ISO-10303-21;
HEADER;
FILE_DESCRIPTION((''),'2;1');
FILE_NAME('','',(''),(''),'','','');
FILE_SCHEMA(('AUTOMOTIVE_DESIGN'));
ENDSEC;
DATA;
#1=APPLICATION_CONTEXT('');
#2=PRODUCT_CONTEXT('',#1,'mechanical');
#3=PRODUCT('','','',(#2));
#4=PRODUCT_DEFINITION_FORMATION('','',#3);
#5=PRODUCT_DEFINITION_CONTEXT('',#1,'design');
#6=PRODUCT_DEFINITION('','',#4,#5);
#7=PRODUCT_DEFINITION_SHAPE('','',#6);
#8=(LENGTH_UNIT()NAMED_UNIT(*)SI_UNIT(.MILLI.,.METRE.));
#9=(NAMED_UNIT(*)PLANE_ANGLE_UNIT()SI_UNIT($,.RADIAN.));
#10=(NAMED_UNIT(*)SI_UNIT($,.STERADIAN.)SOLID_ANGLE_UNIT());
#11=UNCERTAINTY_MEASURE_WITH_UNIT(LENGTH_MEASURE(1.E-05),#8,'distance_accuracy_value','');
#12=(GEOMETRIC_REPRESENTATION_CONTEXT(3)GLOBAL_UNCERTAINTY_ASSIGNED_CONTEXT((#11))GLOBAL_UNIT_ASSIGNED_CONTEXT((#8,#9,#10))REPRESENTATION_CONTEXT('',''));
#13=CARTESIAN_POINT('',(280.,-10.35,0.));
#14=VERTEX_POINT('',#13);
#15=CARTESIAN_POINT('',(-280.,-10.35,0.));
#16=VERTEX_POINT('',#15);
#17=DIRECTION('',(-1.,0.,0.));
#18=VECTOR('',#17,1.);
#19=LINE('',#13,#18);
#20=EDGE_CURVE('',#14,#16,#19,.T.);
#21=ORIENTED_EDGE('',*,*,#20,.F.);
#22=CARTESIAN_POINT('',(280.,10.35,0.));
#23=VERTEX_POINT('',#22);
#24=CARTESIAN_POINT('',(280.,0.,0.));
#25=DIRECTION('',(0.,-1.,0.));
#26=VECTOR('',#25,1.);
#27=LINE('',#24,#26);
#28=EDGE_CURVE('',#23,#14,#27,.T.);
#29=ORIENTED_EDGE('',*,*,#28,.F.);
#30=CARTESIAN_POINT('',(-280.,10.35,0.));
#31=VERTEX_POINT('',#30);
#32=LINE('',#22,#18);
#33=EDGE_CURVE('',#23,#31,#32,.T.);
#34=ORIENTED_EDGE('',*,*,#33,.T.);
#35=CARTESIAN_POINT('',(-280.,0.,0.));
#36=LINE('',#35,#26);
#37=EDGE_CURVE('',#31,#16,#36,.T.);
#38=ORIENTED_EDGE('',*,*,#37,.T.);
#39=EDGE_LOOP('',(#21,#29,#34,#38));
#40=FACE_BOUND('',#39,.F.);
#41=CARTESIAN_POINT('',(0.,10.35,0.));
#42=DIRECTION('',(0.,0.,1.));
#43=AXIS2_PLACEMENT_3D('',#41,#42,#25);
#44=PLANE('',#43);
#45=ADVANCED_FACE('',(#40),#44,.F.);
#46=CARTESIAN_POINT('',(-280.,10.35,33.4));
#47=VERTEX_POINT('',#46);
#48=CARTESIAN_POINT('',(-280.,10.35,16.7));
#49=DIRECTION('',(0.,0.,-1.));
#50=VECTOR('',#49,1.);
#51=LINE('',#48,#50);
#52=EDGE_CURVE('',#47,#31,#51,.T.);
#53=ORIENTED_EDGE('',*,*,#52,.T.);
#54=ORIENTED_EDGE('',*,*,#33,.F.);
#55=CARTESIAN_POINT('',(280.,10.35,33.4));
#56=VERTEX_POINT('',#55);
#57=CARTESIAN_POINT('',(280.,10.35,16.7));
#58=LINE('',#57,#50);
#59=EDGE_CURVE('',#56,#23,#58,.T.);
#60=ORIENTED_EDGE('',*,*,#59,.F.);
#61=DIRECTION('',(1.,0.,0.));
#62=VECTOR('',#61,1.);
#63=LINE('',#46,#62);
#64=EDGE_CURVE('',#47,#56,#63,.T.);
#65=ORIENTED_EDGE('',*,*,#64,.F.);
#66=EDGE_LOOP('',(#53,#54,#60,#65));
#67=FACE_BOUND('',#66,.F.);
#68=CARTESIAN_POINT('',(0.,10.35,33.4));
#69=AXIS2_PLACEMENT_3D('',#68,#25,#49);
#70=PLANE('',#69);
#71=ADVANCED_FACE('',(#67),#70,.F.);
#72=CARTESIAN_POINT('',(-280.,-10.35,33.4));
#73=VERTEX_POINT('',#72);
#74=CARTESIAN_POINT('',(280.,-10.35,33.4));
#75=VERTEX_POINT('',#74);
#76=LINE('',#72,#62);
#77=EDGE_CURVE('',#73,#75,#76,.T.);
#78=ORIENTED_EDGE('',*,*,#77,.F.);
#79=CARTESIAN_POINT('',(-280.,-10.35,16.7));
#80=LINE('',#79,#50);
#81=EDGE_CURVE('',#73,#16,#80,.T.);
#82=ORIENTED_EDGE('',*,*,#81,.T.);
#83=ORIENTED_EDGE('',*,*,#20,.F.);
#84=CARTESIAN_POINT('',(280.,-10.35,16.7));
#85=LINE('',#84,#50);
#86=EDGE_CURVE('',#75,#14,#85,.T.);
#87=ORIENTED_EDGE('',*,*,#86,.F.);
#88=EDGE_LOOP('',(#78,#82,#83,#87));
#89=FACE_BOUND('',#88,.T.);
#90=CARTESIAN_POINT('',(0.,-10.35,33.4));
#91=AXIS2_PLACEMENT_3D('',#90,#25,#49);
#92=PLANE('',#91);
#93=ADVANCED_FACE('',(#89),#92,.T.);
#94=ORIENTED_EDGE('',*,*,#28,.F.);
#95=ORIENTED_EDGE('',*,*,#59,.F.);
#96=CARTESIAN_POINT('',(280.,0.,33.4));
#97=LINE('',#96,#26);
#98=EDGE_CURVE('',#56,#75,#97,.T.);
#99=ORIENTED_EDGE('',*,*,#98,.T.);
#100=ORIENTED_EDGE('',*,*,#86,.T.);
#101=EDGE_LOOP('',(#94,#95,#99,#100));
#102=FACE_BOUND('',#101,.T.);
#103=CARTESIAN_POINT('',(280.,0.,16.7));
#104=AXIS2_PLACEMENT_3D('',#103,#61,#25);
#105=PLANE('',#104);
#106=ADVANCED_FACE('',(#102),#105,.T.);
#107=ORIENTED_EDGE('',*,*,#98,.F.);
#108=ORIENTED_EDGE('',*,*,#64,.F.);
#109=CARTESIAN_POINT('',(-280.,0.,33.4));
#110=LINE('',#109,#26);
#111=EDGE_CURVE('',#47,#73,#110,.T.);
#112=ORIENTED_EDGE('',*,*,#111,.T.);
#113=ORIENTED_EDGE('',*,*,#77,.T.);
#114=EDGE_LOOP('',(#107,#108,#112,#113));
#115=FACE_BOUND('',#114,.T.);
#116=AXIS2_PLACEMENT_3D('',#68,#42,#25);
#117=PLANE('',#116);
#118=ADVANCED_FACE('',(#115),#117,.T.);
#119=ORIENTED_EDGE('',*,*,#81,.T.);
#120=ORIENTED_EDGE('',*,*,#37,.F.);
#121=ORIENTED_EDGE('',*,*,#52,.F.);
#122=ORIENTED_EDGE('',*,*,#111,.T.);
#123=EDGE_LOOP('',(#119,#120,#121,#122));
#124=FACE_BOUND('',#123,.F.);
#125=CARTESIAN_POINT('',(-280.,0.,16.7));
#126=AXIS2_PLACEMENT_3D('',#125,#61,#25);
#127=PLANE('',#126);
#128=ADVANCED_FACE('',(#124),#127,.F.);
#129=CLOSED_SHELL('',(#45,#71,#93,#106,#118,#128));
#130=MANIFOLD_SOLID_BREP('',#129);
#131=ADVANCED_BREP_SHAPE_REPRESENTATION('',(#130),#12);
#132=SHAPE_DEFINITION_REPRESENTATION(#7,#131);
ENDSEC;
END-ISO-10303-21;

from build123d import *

# Parameters (mm, degrees)
BINDER_W  = 20.7
BINDER_H  = 33.4
PAD_DEPTH = 280


with BuildPart() as part:
    # Binder → Pad (new body, symmetric)
    with BuildSketch(Plane(origin=(0, 0, 16.7), x_dir=(0, -1, 0), z_dir=(1, 0, 0))):
        Rectangle(BINDER_W, BINDER_H)
    extrude(amount=PAD_DEPTH, both=True)


solid = part.part
